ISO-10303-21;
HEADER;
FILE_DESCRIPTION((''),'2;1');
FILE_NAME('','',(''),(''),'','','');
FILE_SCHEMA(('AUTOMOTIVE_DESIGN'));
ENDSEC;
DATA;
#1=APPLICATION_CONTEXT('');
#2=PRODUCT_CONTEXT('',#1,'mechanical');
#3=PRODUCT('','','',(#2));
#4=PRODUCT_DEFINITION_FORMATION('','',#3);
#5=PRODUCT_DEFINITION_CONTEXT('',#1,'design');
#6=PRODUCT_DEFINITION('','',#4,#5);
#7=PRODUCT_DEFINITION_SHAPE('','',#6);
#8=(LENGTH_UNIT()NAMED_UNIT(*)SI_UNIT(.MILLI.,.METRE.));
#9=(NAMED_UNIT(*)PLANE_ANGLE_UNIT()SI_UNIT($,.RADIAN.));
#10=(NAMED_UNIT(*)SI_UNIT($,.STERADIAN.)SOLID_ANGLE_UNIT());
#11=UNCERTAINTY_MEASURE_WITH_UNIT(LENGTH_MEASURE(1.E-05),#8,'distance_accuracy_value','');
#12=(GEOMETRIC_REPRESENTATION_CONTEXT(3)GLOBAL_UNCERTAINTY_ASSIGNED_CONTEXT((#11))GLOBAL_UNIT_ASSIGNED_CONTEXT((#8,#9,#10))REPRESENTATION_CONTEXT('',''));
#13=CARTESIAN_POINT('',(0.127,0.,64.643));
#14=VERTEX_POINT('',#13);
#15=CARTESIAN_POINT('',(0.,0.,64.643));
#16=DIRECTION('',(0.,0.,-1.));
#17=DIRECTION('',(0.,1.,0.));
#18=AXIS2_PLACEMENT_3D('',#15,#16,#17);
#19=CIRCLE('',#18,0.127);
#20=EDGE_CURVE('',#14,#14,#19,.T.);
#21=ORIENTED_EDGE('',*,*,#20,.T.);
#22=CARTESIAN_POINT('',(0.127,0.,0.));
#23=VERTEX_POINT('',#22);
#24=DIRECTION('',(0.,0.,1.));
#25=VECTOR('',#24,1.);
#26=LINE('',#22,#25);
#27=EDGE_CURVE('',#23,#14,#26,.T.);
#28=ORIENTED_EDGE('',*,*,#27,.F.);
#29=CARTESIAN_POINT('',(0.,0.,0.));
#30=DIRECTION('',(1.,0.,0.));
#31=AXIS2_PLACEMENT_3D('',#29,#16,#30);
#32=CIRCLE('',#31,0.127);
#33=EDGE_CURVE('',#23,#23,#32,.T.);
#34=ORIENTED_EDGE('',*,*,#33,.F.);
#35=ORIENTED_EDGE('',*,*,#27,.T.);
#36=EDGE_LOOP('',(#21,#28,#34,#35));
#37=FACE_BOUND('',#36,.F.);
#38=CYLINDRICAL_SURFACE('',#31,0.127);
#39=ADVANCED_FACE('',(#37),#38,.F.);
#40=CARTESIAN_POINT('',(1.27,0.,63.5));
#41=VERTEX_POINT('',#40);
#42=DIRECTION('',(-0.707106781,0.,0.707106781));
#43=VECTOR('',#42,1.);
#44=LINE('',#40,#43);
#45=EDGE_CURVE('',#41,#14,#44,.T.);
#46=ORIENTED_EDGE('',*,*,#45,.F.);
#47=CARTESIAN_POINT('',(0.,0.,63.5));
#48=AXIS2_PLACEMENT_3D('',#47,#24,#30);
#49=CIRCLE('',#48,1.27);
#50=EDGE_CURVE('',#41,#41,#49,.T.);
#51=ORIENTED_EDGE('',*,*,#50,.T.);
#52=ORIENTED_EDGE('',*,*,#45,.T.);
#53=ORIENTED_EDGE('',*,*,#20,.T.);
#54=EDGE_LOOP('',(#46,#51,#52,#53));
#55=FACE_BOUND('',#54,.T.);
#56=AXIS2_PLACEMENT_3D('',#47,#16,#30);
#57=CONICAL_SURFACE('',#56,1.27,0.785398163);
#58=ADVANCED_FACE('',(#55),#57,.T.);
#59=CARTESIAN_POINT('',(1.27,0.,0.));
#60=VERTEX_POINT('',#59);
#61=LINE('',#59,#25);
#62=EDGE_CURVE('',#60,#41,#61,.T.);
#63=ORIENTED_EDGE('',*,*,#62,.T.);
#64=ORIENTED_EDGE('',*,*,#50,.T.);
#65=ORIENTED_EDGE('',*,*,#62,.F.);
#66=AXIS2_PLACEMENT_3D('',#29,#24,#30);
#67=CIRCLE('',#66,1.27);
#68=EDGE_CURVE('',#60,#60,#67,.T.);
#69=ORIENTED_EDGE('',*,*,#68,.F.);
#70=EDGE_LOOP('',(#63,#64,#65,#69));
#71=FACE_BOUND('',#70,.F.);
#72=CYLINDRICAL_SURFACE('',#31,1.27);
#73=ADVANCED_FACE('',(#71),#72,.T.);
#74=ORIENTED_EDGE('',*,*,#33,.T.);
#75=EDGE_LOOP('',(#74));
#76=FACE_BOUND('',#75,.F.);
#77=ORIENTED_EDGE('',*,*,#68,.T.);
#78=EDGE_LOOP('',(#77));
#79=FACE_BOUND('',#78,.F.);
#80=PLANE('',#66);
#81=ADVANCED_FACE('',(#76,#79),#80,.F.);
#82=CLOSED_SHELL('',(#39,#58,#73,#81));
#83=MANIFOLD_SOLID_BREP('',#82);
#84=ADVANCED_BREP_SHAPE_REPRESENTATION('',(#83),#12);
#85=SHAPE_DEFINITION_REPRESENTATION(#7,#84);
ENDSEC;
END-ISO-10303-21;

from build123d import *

# Parameters (mm, degrees)
F0_R     = 1.27
F1_DEPTH = 64.77
F2_SIZE  = 1.27
F3_R     = 0.127
F4_DEPTH = 64.771


with BuildPart() as f1:
    # F0 (on Top) → F1 (new body)
    with BuildSketch(Plane.XY):
        Circle(F0_R)
    extrude(amount=F1_DEPTH)

    # F2
    f2_edges = [f1.edges().sort_by_distance(p)[0] for p in [
        (-1.27, 0, 64.77),
    ]]
    chamfer(f2_edges, length=F2_SIZE)

    # F3 (on face) → F4 (cut, through all)
    with BuildSketch(Plane(origin=(0, 0, 0), x_dir=(1, 0, 0), z_dir=(0, 0, -1))):
        Circle(F3_R)
    extrude(amount=-F4_DEPTH, mode=Mode.SUBTRACT)


solid = f1.part
